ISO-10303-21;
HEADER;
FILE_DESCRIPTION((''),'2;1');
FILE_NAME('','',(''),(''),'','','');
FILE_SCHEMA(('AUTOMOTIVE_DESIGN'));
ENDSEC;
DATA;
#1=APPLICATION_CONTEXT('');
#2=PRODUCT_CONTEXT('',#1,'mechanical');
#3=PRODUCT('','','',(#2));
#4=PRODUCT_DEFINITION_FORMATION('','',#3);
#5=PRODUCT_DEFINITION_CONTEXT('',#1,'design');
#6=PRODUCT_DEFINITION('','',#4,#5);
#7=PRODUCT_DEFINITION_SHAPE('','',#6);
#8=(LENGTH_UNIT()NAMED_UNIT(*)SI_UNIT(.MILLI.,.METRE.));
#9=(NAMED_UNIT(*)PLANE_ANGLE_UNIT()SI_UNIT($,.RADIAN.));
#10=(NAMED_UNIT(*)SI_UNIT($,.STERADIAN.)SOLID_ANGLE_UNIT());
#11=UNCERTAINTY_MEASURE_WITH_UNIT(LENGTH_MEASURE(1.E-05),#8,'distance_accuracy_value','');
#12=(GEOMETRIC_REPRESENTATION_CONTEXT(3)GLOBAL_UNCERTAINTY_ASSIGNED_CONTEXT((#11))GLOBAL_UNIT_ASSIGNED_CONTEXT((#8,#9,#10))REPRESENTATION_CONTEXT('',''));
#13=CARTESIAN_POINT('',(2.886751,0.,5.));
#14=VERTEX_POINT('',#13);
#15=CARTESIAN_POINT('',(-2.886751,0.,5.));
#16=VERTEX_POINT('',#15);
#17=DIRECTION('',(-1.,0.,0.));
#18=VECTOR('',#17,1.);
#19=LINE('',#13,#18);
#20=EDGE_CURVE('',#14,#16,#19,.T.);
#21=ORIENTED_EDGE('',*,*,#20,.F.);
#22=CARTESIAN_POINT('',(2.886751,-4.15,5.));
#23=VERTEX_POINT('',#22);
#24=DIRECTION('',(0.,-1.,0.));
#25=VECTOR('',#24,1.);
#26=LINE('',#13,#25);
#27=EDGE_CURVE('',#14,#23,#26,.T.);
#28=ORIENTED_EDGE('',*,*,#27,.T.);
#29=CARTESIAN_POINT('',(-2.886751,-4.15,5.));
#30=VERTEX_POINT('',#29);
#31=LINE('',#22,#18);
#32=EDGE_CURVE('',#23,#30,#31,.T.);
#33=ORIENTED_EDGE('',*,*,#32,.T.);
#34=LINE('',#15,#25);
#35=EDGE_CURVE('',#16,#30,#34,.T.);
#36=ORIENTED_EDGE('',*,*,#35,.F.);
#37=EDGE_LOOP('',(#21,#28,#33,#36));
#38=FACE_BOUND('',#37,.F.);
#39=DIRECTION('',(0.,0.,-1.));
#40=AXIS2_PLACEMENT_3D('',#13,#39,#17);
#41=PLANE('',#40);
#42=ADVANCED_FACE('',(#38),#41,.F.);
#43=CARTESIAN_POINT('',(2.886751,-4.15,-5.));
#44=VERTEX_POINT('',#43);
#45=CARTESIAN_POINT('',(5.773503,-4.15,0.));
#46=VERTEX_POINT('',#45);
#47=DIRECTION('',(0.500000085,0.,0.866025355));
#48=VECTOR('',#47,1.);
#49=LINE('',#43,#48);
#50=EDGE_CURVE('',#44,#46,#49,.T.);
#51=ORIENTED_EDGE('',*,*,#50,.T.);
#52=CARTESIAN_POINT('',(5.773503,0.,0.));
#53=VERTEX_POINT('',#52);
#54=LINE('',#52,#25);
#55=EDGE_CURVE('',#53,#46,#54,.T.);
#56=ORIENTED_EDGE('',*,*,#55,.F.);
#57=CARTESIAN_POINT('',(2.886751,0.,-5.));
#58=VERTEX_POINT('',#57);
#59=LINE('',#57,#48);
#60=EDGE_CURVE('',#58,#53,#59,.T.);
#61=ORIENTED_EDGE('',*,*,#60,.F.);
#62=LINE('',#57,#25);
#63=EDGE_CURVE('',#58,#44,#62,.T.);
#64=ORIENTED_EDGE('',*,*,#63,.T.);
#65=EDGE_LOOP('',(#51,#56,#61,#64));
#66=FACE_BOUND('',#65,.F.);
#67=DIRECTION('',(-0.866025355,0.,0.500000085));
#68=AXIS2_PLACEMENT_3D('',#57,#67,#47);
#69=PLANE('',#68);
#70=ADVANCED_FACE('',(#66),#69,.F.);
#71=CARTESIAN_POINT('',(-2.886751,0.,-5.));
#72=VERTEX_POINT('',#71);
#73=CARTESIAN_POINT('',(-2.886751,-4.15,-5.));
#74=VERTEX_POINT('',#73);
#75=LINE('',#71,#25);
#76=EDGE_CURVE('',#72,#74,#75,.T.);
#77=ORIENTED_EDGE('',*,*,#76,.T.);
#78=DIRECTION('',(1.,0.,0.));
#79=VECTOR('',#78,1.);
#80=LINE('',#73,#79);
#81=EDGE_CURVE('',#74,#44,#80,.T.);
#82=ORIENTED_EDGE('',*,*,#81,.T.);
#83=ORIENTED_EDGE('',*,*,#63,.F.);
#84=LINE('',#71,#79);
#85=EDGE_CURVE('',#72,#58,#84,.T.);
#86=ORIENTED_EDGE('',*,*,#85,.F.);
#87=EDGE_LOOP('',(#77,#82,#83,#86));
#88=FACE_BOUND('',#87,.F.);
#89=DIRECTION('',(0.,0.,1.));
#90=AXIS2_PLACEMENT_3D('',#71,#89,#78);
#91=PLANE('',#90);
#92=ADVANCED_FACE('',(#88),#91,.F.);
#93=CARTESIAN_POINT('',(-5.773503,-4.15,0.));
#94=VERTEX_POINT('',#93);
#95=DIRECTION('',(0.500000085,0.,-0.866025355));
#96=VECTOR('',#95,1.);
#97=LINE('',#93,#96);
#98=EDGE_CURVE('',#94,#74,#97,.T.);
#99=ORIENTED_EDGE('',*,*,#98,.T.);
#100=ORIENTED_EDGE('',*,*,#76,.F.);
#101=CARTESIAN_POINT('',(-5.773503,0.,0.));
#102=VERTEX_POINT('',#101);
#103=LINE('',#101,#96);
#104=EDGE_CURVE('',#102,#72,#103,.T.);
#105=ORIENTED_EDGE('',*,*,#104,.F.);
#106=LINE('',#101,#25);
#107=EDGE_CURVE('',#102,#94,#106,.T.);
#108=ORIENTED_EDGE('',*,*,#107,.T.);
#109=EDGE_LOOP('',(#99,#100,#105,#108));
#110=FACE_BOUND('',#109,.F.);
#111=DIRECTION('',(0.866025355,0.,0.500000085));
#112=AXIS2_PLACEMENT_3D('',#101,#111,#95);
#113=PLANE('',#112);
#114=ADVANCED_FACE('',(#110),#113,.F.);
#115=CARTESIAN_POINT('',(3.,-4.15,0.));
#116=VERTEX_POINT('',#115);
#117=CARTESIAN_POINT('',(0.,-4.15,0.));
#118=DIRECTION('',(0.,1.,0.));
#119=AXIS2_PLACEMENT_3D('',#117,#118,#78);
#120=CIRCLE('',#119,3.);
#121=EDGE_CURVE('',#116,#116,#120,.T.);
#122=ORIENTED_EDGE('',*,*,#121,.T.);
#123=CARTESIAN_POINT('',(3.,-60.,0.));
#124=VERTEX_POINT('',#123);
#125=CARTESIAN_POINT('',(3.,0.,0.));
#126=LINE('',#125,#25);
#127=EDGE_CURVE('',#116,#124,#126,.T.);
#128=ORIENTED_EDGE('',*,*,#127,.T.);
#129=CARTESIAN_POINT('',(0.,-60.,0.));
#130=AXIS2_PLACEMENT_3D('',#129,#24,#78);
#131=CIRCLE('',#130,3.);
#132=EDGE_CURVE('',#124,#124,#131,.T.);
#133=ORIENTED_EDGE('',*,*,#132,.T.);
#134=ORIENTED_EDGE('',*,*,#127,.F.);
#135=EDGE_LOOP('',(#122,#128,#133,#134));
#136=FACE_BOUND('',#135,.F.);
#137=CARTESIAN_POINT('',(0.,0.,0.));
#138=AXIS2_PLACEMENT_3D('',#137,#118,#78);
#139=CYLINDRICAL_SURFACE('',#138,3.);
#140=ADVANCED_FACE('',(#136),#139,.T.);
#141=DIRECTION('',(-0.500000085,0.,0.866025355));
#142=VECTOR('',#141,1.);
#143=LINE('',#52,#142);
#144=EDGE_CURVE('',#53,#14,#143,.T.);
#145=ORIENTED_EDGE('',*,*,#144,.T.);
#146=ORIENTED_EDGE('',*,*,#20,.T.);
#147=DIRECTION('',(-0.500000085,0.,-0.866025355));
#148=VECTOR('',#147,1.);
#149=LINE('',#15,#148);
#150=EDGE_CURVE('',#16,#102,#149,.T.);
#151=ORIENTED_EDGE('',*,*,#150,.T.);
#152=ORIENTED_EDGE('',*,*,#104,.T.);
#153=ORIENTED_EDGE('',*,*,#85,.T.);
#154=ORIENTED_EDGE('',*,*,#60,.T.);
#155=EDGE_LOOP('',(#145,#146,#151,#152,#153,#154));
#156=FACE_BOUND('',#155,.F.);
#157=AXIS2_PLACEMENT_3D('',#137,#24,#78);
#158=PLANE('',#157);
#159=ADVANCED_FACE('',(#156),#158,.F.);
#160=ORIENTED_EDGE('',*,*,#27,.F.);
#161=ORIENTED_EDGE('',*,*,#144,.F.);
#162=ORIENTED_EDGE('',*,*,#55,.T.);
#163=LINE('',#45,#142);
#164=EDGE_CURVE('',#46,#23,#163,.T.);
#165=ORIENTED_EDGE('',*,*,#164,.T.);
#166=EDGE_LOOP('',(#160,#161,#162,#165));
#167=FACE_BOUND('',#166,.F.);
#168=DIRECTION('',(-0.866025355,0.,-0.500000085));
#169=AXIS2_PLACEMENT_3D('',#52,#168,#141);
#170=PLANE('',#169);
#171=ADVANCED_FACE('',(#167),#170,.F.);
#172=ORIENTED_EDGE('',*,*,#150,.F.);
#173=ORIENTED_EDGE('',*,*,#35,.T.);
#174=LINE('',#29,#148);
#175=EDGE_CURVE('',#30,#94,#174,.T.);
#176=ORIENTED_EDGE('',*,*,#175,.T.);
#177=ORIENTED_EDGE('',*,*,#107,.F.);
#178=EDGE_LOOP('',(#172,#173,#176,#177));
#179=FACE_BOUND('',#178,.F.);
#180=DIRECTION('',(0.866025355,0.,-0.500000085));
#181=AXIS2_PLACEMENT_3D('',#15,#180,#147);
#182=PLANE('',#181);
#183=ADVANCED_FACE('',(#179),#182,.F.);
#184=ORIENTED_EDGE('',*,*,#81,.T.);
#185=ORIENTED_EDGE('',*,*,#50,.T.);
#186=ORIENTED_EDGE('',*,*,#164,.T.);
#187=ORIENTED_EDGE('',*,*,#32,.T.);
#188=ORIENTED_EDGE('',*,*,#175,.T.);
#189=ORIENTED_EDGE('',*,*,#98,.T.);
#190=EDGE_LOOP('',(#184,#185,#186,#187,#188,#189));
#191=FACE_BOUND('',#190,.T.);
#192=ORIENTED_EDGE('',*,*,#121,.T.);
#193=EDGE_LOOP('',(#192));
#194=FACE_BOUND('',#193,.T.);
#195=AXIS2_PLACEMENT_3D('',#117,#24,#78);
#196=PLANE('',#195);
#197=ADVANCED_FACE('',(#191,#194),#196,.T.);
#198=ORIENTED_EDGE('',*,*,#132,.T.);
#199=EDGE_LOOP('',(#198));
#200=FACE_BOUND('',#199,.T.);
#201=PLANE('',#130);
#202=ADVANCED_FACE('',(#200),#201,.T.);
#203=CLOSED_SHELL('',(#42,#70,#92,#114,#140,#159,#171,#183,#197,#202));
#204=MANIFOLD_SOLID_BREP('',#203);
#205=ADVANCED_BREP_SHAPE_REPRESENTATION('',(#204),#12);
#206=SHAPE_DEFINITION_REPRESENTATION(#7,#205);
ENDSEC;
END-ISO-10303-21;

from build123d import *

# Parameters (mm, degrees)
F0_R     = 3
F1_DEPTH = 4.15
F2_DEPTH = 60


with BuildPart() as f1:
    # F0 (on Front) → F1 (new body)
    with BuildSketch(Plane.XZ):
        Polygon((2.886751, 5), (-2.886751, 5), (-5.773503, 0), (-2.886751, -5), (2.886751, -5), (5.773503, 0), align=None)
        Circle(F0_R, mode=Mode.SUBTRACT)
        Circle(F0_R)
    extrude(amount=F1_DEPTH)

    # F0 (on Front) → F2 (join)
    with BuildSketch(Plane.XZ):
        Circle(F0_R)
    extrude(amount=F2_DEPTH)


solid = f1.part
